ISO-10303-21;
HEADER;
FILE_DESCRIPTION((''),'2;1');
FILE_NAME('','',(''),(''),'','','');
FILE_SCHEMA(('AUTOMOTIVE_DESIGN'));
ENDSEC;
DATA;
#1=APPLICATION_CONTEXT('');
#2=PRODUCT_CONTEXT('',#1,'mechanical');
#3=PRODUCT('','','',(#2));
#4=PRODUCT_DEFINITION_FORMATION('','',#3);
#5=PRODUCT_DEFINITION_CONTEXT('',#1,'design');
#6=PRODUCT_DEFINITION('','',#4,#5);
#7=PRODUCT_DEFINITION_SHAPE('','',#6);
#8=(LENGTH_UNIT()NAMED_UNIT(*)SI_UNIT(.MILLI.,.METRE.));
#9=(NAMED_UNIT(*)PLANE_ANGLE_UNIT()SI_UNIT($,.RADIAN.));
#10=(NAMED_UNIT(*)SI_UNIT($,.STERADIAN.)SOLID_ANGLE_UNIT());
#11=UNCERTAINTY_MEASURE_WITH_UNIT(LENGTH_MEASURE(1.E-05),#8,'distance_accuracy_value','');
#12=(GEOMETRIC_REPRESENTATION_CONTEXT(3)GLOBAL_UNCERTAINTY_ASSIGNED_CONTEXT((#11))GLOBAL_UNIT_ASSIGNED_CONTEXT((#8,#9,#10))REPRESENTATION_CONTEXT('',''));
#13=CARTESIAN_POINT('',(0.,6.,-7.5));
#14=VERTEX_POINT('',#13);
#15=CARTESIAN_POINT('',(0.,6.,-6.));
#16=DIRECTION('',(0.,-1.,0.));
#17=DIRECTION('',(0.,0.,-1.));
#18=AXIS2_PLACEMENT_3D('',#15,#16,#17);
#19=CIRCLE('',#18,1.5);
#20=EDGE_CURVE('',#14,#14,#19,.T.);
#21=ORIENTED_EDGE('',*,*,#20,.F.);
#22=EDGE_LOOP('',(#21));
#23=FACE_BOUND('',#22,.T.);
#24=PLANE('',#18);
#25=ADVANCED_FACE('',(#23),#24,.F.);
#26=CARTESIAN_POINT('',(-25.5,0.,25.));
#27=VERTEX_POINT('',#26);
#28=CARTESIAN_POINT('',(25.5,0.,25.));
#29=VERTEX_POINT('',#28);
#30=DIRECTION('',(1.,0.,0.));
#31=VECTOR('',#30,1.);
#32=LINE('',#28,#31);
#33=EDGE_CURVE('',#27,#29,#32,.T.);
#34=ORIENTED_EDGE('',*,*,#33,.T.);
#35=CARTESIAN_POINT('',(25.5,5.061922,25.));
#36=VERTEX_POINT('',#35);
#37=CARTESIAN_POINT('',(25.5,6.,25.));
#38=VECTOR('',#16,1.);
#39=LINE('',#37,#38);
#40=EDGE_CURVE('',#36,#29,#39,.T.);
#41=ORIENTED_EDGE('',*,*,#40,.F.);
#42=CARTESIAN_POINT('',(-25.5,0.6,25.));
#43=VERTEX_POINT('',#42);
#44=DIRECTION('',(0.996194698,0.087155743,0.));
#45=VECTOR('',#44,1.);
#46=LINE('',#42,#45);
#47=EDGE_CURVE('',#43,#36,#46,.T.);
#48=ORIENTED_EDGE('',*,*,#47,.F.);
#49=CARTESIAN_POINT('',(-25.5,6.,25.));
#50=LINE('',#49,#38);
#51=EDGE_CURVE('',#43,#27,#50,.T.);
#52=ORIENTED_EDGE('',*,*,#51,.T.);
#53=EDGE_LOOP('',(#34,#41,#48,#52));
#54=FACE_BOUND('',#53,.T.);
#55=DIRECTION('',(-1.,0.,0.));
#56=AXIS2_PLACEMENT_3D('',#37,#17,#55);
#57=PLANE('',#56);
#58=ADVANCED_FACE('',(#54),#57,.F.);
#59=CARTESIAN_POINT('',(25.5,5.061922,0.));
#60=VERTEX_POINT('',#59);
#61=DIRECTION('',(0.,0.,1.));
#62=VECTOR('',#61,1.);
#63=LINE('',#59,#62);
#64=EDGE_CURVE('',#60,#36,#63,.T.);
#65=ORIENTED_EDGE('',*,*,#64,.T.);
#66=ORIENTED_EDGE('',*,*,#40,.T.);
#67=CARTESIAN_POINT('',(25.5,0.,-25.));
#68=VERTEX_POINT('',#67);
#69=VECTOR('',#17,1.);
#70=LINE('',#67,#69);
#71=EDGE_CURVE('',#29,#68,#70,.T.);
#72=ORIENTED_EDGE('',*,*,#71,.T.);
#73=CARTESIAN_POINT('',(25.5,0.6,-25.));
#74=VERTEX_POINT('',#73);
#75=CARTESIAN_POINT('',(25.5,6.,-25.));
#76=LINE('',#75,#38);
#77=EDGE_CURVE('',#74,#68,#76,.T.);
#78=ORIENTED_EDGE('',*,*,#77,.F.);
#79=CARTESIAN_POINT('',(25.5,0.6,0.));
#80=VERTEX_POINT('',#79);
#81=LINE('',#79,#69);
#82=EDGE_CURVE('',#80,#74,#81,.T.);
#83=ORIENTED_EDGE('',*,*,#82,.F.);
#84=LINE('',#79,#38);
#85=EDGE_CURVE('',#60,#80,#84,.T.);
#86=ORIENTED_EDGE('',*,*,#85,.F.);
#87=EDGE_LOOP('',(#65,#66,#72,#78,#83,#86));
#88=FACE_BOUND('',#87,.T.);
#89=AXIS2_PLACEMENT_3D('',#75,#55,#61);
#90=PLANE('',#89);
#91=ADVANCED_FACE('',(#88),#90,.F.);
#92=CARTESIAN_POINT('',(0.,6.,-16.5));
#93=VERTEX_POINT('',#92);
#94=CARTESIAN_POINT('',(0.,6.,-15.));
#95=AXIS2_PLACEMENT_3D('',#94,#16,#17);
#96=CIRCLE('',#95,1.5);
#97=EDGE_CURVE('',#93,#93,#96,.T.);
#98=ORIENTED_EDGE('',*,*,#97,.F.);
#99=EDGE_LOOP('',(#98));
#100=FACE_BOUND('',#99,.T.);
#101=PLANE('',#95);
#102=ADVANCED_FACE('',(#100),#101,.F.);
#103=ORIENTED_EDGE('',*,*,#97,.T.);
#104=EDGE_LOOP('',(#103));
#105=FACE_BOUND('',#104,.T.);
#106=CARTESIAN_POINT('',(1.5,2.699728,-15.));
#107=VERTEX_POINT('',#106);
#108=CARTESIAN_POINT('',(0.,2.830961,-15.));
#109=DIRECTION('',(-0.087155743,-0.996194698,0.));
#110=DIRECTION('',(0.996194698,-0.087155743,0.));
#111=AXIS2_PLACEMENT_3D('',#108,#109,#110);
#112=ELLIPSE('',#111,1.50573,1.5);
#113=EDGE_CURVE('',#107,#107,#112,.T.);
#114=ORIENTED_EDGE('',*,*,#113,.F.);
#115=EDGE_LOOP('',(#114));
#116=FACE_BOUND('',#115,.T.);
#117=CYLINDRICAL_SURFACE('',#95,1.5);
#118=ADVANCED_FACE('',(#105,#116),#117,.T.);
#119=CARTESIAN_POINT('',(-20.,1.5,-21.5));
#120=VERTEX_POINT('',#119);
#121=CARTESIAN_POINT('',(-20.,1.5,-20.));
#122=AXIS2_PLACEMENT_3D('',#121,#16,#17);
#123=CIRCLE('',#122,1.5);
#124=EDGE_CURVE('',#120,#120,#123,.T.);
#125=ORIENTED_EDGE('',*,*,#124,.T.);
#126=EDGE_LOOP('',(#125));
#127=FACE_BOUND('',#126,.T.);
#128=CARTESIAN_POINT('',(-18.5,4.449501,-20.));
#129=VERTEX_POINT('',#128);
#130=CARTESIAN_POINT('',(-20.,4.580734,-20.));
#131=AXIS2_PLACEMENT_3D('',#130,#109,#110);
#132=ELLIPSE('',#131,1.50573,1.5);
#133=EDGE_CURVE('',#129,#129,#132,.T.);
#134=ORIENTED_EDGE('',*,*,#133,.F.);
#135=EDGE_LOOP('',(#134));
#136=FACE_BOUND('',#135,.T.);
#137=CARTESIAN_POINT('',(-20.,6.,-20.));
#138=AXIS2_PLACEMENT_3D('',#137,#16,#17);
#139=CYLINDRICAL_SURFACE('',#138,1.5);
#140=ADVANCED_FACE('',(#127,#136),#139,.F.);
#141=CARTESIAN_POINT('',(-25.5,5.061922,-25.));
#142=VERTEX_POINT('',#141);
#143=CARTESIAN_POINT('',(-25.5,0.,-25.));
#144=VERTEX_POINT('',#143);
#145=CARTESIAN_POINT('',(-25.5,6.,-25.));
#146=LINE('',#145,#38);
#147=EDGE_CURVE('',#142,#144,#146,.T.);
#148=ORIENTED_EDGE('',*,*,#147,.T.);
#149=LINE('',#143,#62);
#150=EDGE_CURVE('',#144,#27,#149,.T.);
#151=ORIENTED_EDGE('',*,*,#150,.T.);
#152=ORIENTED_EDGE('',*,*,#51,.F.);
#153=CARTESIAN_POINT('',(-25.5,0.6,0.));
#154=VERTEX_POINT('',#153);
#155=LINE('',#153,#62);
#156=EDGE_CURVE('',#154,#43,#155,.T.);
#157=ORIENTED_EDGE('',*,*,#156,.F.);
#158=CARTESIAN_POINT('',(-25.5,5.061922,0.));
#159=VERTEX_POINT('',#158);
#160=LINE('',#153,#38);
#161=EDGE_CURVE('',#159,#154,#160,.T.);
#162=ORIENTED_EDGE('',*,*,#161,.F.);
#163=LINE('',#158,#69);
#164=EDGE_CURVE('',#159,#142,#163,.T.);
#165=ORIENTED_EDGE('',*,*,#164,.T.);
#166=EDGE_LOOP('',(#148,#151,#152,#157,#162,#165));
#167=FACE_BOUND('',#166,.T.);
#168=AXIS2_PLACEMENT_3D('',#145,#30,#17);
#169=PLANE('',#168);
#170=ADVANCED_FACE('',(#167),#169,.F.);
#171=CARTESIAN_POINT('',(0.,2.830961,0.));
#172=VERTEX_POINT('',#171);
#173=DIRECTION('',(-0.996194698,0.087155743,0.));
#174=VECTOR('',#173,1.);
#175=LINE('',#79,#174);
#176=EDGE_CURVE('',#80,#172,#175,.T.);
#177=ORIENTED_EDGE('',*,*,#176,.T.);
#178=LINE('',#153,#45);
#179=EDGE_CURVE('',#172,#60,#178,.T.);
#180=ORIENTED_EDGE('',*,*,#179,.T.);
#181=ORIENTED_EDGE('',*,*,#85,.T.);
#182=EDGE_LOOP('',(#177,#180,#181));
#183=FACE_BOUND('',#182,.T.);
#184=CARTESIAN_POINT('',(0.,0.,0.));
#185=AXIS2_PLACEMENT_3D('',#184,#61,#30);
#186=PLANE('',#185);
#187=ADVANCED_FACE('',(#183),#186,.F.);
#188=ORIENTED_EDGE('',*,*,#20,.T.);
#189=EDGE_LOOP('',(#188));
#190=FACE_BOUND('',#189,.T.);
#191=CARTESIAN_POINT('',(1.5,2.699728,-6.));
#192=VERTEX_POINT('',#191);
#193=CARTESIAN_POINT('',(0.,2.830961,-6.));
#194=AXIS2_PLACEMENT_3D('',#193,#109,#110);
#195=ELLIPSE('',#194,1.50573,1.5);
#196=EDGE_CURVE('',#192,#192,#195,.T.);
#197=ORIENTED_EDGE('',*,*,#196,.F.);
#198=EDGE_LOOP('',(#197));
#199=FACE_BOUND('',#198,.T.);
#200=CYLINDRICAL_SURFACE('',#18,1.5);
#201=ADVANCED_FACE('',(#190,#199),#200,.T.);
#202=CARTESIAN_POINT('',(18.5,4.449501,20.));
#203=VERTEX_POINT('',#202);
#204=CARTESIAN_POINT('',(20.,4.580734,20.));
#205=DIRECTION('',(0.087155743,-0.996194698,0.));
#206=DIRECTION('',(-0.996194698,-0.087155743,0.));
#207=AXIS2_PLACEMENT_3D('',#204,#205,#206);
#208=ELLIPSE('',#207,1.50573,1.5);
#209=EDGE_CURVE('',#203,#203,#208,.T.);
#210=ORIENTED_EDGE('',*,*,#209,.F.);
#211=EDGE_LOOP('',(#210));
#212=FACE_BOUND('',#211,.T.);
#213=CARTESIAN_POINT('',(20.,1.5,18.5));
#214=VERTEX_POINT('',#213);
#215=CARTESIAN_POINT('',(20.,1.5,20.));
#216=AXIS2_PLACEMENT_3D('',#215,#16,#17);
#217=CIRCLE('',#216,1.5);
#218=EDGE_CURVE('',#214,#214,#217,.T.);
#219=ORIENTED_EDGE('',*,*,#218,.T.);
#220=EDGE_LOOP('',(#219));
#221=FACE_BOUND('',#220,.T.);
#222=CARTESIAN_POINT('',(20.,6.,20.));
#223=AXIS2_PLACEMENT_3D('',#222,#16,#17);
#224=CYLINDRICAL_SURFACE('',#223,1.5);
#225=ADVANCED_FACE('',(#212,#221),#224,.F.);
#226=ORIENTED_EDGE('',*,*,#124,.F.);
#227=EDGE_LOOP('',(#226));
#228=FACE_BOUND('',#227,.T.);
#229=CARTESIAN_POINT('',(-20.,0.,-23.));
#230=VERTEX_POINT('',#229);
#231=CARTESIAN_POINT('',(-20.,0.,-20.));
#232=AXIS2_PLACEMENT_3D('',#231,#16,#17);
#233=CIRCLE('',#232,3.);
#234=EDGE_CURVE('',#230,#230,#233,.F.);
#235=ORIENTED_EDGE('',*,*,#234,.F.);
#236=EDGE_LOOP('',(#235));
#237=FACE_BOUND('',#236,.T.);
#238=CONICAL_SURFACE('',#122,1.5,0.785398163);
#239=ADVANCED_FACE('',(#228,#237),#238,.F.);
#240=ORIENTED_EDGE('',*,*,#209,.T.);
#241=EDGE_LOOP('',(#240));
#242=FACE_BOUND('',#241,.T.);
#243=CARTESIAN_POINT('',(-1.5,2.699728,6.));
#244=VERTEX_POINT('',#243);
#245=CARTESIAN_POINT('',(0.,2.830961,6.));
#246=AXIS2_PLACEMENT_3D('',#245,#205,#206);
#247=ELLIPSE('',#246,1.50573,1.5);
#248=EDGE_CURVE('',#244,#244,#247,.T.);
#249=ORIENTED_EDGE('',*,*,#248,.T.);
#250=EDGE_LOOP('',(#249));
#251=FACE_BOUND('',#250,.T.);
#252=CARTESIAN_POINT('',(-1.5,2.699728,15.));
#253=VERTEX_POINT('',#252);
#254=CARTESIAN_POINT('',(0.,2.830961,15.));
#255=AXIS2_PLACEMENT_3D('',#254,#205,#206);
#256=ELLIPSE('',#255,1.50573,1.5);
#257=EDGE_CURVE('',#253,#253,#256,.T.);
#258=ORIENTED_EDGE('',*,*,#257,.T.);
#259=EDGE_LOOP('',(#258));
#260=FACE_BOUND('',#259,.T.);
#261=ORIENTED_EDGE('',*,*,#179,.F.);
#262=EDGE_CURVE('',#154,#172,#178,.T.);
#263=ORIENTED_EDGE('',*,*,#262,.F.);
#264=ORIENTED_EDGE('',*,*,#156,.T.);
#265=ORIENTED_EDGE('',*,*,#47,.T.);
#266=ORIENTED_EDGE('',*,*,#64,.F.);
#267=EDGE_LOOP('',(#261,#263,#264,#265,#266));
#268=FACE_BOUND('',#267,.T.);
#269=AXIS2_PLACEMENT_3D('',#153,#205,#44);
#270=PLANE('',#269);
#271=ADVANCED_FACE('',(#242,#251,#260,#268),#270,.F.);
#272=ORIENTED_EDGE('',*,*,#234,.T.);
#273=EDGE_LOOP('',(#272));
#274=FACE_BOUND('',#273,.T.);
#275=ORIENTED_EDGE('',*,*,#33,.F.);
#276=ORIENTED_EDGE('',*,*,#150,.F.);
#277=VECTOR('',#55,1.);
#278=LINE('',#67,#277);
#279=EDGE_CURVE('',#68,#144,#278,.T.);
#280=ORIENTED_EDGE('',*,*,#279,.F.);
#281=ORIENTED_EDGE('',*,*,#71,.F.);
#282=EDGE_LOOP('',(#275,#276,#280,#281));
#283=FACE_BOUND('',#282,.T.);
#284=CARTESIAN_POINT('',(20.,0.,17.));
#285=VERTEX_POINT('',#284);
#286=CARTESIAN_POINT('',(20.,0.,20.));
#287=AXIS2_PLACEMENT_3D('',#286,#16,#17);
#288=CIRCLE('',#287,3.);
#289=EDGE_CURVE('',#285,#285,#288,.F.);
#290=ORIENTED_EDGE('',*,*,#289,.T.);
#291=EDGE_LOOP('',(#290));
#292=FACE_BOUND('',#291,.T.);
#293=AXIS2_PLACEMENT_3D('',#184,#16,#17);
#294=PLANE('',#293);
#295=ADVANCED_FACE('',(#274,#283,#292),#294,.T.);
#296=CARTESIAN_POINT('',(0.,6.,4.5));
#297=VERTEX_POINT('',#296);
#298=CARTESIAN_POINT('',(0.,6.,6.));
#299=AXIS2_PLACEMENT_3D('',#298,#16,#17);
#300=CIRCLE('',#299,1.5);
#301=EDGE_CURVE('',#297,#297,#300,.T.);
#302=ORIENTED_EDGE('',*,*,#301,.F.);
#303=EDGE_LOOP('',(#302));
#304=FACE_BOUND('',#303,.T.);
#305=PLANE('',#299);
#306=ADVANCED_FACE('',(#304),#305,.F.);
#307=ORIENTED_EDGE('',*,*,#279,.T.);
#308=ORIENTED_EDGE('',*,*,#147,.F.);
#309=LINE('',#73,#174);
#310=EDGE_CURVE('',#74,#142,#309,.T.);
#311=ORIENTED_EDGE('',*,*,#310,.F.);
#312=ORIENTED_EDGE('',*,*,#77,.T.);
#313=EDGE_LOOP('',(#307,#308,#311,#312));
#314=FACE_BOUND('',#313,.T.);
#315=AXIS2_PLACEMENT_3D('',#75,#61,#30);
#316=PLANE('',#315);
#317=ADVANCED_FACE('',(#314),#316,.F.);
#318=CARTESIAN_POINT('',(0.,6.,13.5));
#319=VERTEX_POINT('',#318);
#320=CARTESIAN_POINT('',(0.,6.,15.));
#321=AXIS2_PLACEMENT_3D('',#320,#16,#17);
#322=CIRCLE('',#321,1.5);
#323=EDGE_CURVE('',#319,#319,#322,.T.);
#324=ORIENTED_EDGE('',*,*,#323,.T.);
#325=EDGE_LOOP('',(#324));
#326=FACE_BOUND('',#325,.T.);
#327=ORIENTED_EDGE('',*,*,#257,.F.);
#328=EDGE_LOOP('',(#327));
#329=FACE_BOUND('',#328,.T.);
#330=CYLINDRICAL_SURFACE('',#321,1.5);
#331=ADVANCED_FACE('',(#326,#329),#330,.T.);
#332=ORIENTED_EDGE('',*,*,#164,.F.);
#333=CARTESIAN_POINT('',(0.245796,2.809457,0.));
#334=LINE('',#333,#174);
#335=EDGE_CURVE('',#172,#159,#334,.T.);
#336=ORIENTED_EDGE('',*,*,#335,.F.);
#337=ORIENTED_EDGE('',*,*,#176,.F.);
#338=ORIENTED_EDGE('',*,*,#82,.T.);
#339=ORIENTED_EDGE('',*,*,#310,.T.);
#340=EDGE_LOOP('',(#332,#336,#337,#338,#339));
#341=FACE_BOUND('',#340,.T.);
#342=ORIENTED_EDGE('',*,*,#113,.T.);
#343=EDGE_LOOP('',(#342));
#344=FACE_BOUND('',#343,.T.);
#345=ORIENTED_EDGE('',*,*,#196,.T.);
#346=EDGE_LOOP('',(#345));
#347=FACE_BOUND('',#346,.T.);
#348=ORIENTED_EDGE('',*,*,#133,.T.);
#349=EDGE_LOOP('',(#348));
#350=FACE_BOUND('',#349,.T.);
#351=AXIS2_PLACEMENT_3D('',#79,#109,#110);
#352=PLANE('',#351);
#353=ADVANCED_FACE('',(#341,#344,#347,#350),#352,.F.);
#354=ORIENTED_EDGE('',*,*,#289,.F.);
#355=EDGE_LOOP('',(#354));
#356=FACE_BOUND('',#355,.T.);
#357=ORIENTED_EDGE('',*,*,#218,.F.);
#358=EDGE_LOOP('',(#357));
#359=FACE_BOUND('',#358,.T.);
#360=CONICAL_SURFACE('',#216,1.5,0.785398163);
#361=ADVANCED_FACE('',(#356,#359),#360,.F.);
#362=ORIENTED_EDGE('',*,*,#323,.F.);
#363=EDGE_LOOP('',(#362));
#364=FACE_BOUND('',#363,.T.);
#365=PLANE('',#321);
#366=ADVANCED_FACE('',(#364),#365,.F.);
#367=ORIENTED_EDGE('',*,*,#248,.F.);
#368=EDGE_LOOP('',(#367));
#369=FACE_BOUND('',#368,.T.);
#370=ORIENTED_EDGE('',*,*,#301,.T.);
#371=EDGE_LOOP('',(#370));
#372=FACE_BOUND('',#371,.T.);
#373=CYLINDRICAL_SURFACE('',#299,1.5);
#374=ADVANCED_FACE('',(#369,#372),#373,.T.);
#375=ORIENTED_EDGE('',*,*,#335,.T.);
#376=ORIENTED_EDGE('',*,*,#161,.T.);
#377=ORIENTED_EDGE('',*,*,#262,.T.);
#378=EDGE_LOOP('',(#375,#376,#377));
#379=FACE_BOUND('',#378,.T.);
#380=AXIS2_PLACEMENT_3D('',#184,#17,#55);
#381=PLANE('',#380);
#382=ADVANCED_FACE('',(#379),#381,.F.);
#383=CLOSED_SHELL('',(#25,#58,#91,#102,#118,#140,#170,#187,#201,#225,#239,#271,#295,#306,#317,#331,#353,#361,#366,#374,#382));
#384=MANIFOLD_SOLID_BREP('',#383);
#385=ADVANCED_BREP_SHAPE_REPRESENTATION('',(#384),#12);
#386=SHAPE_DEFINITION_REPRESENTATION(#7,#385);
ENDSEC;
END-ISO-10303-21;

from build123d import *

# Parameters (mm, degrees)
ESBO_O2_W                = 51
ESBO_O2_H                = 50
RESSALTO_EXTRUS_O2_DEPTH = 6
CORTE_EXTRUS_O1_DEPTH    = 25
CORTE_EXTRUS_O3_DEPTH    = 25
ESBO_O5_R                = 1.5
RESSALTO_EXTRUS_O3_DEPTH = 6
ESBO_O8_R                = 1.5
CORTE_EXTRUS_O6_DEPTH    = 37.211186117
CHANFRO2_SIZE            = 1.5


with BuildPart() as part:
    # Esboço2 → Ressalto-extrusão2 (new body)
    with BuildSketch(Plane(origin=(0, 0, 0), x_dir=(1, 0, 0), z_dir=(0, 1, 0))):
        Rectangle(ESBO_O2_W, ESBO_O2_H)
    extrude(amount=RESSALTO_EXTRUS_O2_DEPTH)

    # Esboço3 → Corte-extrusão1 (cut)
    with BuildSketch(Plane.XY.offset(25)):
        Polygon((-25.5, 0.6), (25.5, 5.06192184), (25.5, 6), (-25.5, 6), align=None)
    extrude(amount=-CORTE_EXTRUS_O1_DEPTH, mode=Mode.SUBTRACT)

    # Esboço4 → Corte-extrusão3 (cut)
    with BuildSketch(Plane(origin=(0, 0, -25), x_dir=(-1, 0, 0), z_dir=(0, 0, -1))):
        Polygon((-25.5, 0.6), (25.5, 5.06192184), (25.5, 6), (-25.5, 6), align=None)
    extrude(amount=-CORTE_EXTRUS_O3_DEPTH, mode=Mode.SUBTRACT)

    # Esboço5 → Ressalto-extrusão3 (add)
    with BuildSketch(Plane.XZ):
        with Locations(Location((0, 6, 0), (0, 0, 270))):
            Circle(ESBO_O5_R)
        with Locations(Location((0, 15, 0), (0, 0, 270))):
            Circle(ESBO_O5_R)
        with Locations(Location((0, -15, 0), (0, 0, 270))):
            Circle(ESBO_O5_R)
        with Locations(Location((0, -6, 0), (0, 0, 270))):
            Circle(ESBO_O5_R)
    extrude(amount=-RESSALTO_EXTRUS_O3_DEPTH)

    # Esboço8 → Corte-extrusão6 (cut, through all)
    with BuildSketch(Plane.XZ):
        with Locations(Location((20, 20, 0), (0, 0, 270))):
            Circle(ESBO_O8_R)
        with Locations(Location((-20, -20, 0), (0, 0, 270))):
            Circle(ESBO_O8_R)
    extrude(amount=-CORTE_EXTRUS_O6_DEPTH, mode=Mode.SUBTRACT)

    # Chanfro2
    chanfro2_edges = [part.edges().sort_by_distance(p)[0] for p in [
        (20, 0, 21.5),
        (-20, 0, -18.5),
    ]]
    chamfer(chanfro2_edges, length=CHANFRO2_SIZE)


solid = part.part
